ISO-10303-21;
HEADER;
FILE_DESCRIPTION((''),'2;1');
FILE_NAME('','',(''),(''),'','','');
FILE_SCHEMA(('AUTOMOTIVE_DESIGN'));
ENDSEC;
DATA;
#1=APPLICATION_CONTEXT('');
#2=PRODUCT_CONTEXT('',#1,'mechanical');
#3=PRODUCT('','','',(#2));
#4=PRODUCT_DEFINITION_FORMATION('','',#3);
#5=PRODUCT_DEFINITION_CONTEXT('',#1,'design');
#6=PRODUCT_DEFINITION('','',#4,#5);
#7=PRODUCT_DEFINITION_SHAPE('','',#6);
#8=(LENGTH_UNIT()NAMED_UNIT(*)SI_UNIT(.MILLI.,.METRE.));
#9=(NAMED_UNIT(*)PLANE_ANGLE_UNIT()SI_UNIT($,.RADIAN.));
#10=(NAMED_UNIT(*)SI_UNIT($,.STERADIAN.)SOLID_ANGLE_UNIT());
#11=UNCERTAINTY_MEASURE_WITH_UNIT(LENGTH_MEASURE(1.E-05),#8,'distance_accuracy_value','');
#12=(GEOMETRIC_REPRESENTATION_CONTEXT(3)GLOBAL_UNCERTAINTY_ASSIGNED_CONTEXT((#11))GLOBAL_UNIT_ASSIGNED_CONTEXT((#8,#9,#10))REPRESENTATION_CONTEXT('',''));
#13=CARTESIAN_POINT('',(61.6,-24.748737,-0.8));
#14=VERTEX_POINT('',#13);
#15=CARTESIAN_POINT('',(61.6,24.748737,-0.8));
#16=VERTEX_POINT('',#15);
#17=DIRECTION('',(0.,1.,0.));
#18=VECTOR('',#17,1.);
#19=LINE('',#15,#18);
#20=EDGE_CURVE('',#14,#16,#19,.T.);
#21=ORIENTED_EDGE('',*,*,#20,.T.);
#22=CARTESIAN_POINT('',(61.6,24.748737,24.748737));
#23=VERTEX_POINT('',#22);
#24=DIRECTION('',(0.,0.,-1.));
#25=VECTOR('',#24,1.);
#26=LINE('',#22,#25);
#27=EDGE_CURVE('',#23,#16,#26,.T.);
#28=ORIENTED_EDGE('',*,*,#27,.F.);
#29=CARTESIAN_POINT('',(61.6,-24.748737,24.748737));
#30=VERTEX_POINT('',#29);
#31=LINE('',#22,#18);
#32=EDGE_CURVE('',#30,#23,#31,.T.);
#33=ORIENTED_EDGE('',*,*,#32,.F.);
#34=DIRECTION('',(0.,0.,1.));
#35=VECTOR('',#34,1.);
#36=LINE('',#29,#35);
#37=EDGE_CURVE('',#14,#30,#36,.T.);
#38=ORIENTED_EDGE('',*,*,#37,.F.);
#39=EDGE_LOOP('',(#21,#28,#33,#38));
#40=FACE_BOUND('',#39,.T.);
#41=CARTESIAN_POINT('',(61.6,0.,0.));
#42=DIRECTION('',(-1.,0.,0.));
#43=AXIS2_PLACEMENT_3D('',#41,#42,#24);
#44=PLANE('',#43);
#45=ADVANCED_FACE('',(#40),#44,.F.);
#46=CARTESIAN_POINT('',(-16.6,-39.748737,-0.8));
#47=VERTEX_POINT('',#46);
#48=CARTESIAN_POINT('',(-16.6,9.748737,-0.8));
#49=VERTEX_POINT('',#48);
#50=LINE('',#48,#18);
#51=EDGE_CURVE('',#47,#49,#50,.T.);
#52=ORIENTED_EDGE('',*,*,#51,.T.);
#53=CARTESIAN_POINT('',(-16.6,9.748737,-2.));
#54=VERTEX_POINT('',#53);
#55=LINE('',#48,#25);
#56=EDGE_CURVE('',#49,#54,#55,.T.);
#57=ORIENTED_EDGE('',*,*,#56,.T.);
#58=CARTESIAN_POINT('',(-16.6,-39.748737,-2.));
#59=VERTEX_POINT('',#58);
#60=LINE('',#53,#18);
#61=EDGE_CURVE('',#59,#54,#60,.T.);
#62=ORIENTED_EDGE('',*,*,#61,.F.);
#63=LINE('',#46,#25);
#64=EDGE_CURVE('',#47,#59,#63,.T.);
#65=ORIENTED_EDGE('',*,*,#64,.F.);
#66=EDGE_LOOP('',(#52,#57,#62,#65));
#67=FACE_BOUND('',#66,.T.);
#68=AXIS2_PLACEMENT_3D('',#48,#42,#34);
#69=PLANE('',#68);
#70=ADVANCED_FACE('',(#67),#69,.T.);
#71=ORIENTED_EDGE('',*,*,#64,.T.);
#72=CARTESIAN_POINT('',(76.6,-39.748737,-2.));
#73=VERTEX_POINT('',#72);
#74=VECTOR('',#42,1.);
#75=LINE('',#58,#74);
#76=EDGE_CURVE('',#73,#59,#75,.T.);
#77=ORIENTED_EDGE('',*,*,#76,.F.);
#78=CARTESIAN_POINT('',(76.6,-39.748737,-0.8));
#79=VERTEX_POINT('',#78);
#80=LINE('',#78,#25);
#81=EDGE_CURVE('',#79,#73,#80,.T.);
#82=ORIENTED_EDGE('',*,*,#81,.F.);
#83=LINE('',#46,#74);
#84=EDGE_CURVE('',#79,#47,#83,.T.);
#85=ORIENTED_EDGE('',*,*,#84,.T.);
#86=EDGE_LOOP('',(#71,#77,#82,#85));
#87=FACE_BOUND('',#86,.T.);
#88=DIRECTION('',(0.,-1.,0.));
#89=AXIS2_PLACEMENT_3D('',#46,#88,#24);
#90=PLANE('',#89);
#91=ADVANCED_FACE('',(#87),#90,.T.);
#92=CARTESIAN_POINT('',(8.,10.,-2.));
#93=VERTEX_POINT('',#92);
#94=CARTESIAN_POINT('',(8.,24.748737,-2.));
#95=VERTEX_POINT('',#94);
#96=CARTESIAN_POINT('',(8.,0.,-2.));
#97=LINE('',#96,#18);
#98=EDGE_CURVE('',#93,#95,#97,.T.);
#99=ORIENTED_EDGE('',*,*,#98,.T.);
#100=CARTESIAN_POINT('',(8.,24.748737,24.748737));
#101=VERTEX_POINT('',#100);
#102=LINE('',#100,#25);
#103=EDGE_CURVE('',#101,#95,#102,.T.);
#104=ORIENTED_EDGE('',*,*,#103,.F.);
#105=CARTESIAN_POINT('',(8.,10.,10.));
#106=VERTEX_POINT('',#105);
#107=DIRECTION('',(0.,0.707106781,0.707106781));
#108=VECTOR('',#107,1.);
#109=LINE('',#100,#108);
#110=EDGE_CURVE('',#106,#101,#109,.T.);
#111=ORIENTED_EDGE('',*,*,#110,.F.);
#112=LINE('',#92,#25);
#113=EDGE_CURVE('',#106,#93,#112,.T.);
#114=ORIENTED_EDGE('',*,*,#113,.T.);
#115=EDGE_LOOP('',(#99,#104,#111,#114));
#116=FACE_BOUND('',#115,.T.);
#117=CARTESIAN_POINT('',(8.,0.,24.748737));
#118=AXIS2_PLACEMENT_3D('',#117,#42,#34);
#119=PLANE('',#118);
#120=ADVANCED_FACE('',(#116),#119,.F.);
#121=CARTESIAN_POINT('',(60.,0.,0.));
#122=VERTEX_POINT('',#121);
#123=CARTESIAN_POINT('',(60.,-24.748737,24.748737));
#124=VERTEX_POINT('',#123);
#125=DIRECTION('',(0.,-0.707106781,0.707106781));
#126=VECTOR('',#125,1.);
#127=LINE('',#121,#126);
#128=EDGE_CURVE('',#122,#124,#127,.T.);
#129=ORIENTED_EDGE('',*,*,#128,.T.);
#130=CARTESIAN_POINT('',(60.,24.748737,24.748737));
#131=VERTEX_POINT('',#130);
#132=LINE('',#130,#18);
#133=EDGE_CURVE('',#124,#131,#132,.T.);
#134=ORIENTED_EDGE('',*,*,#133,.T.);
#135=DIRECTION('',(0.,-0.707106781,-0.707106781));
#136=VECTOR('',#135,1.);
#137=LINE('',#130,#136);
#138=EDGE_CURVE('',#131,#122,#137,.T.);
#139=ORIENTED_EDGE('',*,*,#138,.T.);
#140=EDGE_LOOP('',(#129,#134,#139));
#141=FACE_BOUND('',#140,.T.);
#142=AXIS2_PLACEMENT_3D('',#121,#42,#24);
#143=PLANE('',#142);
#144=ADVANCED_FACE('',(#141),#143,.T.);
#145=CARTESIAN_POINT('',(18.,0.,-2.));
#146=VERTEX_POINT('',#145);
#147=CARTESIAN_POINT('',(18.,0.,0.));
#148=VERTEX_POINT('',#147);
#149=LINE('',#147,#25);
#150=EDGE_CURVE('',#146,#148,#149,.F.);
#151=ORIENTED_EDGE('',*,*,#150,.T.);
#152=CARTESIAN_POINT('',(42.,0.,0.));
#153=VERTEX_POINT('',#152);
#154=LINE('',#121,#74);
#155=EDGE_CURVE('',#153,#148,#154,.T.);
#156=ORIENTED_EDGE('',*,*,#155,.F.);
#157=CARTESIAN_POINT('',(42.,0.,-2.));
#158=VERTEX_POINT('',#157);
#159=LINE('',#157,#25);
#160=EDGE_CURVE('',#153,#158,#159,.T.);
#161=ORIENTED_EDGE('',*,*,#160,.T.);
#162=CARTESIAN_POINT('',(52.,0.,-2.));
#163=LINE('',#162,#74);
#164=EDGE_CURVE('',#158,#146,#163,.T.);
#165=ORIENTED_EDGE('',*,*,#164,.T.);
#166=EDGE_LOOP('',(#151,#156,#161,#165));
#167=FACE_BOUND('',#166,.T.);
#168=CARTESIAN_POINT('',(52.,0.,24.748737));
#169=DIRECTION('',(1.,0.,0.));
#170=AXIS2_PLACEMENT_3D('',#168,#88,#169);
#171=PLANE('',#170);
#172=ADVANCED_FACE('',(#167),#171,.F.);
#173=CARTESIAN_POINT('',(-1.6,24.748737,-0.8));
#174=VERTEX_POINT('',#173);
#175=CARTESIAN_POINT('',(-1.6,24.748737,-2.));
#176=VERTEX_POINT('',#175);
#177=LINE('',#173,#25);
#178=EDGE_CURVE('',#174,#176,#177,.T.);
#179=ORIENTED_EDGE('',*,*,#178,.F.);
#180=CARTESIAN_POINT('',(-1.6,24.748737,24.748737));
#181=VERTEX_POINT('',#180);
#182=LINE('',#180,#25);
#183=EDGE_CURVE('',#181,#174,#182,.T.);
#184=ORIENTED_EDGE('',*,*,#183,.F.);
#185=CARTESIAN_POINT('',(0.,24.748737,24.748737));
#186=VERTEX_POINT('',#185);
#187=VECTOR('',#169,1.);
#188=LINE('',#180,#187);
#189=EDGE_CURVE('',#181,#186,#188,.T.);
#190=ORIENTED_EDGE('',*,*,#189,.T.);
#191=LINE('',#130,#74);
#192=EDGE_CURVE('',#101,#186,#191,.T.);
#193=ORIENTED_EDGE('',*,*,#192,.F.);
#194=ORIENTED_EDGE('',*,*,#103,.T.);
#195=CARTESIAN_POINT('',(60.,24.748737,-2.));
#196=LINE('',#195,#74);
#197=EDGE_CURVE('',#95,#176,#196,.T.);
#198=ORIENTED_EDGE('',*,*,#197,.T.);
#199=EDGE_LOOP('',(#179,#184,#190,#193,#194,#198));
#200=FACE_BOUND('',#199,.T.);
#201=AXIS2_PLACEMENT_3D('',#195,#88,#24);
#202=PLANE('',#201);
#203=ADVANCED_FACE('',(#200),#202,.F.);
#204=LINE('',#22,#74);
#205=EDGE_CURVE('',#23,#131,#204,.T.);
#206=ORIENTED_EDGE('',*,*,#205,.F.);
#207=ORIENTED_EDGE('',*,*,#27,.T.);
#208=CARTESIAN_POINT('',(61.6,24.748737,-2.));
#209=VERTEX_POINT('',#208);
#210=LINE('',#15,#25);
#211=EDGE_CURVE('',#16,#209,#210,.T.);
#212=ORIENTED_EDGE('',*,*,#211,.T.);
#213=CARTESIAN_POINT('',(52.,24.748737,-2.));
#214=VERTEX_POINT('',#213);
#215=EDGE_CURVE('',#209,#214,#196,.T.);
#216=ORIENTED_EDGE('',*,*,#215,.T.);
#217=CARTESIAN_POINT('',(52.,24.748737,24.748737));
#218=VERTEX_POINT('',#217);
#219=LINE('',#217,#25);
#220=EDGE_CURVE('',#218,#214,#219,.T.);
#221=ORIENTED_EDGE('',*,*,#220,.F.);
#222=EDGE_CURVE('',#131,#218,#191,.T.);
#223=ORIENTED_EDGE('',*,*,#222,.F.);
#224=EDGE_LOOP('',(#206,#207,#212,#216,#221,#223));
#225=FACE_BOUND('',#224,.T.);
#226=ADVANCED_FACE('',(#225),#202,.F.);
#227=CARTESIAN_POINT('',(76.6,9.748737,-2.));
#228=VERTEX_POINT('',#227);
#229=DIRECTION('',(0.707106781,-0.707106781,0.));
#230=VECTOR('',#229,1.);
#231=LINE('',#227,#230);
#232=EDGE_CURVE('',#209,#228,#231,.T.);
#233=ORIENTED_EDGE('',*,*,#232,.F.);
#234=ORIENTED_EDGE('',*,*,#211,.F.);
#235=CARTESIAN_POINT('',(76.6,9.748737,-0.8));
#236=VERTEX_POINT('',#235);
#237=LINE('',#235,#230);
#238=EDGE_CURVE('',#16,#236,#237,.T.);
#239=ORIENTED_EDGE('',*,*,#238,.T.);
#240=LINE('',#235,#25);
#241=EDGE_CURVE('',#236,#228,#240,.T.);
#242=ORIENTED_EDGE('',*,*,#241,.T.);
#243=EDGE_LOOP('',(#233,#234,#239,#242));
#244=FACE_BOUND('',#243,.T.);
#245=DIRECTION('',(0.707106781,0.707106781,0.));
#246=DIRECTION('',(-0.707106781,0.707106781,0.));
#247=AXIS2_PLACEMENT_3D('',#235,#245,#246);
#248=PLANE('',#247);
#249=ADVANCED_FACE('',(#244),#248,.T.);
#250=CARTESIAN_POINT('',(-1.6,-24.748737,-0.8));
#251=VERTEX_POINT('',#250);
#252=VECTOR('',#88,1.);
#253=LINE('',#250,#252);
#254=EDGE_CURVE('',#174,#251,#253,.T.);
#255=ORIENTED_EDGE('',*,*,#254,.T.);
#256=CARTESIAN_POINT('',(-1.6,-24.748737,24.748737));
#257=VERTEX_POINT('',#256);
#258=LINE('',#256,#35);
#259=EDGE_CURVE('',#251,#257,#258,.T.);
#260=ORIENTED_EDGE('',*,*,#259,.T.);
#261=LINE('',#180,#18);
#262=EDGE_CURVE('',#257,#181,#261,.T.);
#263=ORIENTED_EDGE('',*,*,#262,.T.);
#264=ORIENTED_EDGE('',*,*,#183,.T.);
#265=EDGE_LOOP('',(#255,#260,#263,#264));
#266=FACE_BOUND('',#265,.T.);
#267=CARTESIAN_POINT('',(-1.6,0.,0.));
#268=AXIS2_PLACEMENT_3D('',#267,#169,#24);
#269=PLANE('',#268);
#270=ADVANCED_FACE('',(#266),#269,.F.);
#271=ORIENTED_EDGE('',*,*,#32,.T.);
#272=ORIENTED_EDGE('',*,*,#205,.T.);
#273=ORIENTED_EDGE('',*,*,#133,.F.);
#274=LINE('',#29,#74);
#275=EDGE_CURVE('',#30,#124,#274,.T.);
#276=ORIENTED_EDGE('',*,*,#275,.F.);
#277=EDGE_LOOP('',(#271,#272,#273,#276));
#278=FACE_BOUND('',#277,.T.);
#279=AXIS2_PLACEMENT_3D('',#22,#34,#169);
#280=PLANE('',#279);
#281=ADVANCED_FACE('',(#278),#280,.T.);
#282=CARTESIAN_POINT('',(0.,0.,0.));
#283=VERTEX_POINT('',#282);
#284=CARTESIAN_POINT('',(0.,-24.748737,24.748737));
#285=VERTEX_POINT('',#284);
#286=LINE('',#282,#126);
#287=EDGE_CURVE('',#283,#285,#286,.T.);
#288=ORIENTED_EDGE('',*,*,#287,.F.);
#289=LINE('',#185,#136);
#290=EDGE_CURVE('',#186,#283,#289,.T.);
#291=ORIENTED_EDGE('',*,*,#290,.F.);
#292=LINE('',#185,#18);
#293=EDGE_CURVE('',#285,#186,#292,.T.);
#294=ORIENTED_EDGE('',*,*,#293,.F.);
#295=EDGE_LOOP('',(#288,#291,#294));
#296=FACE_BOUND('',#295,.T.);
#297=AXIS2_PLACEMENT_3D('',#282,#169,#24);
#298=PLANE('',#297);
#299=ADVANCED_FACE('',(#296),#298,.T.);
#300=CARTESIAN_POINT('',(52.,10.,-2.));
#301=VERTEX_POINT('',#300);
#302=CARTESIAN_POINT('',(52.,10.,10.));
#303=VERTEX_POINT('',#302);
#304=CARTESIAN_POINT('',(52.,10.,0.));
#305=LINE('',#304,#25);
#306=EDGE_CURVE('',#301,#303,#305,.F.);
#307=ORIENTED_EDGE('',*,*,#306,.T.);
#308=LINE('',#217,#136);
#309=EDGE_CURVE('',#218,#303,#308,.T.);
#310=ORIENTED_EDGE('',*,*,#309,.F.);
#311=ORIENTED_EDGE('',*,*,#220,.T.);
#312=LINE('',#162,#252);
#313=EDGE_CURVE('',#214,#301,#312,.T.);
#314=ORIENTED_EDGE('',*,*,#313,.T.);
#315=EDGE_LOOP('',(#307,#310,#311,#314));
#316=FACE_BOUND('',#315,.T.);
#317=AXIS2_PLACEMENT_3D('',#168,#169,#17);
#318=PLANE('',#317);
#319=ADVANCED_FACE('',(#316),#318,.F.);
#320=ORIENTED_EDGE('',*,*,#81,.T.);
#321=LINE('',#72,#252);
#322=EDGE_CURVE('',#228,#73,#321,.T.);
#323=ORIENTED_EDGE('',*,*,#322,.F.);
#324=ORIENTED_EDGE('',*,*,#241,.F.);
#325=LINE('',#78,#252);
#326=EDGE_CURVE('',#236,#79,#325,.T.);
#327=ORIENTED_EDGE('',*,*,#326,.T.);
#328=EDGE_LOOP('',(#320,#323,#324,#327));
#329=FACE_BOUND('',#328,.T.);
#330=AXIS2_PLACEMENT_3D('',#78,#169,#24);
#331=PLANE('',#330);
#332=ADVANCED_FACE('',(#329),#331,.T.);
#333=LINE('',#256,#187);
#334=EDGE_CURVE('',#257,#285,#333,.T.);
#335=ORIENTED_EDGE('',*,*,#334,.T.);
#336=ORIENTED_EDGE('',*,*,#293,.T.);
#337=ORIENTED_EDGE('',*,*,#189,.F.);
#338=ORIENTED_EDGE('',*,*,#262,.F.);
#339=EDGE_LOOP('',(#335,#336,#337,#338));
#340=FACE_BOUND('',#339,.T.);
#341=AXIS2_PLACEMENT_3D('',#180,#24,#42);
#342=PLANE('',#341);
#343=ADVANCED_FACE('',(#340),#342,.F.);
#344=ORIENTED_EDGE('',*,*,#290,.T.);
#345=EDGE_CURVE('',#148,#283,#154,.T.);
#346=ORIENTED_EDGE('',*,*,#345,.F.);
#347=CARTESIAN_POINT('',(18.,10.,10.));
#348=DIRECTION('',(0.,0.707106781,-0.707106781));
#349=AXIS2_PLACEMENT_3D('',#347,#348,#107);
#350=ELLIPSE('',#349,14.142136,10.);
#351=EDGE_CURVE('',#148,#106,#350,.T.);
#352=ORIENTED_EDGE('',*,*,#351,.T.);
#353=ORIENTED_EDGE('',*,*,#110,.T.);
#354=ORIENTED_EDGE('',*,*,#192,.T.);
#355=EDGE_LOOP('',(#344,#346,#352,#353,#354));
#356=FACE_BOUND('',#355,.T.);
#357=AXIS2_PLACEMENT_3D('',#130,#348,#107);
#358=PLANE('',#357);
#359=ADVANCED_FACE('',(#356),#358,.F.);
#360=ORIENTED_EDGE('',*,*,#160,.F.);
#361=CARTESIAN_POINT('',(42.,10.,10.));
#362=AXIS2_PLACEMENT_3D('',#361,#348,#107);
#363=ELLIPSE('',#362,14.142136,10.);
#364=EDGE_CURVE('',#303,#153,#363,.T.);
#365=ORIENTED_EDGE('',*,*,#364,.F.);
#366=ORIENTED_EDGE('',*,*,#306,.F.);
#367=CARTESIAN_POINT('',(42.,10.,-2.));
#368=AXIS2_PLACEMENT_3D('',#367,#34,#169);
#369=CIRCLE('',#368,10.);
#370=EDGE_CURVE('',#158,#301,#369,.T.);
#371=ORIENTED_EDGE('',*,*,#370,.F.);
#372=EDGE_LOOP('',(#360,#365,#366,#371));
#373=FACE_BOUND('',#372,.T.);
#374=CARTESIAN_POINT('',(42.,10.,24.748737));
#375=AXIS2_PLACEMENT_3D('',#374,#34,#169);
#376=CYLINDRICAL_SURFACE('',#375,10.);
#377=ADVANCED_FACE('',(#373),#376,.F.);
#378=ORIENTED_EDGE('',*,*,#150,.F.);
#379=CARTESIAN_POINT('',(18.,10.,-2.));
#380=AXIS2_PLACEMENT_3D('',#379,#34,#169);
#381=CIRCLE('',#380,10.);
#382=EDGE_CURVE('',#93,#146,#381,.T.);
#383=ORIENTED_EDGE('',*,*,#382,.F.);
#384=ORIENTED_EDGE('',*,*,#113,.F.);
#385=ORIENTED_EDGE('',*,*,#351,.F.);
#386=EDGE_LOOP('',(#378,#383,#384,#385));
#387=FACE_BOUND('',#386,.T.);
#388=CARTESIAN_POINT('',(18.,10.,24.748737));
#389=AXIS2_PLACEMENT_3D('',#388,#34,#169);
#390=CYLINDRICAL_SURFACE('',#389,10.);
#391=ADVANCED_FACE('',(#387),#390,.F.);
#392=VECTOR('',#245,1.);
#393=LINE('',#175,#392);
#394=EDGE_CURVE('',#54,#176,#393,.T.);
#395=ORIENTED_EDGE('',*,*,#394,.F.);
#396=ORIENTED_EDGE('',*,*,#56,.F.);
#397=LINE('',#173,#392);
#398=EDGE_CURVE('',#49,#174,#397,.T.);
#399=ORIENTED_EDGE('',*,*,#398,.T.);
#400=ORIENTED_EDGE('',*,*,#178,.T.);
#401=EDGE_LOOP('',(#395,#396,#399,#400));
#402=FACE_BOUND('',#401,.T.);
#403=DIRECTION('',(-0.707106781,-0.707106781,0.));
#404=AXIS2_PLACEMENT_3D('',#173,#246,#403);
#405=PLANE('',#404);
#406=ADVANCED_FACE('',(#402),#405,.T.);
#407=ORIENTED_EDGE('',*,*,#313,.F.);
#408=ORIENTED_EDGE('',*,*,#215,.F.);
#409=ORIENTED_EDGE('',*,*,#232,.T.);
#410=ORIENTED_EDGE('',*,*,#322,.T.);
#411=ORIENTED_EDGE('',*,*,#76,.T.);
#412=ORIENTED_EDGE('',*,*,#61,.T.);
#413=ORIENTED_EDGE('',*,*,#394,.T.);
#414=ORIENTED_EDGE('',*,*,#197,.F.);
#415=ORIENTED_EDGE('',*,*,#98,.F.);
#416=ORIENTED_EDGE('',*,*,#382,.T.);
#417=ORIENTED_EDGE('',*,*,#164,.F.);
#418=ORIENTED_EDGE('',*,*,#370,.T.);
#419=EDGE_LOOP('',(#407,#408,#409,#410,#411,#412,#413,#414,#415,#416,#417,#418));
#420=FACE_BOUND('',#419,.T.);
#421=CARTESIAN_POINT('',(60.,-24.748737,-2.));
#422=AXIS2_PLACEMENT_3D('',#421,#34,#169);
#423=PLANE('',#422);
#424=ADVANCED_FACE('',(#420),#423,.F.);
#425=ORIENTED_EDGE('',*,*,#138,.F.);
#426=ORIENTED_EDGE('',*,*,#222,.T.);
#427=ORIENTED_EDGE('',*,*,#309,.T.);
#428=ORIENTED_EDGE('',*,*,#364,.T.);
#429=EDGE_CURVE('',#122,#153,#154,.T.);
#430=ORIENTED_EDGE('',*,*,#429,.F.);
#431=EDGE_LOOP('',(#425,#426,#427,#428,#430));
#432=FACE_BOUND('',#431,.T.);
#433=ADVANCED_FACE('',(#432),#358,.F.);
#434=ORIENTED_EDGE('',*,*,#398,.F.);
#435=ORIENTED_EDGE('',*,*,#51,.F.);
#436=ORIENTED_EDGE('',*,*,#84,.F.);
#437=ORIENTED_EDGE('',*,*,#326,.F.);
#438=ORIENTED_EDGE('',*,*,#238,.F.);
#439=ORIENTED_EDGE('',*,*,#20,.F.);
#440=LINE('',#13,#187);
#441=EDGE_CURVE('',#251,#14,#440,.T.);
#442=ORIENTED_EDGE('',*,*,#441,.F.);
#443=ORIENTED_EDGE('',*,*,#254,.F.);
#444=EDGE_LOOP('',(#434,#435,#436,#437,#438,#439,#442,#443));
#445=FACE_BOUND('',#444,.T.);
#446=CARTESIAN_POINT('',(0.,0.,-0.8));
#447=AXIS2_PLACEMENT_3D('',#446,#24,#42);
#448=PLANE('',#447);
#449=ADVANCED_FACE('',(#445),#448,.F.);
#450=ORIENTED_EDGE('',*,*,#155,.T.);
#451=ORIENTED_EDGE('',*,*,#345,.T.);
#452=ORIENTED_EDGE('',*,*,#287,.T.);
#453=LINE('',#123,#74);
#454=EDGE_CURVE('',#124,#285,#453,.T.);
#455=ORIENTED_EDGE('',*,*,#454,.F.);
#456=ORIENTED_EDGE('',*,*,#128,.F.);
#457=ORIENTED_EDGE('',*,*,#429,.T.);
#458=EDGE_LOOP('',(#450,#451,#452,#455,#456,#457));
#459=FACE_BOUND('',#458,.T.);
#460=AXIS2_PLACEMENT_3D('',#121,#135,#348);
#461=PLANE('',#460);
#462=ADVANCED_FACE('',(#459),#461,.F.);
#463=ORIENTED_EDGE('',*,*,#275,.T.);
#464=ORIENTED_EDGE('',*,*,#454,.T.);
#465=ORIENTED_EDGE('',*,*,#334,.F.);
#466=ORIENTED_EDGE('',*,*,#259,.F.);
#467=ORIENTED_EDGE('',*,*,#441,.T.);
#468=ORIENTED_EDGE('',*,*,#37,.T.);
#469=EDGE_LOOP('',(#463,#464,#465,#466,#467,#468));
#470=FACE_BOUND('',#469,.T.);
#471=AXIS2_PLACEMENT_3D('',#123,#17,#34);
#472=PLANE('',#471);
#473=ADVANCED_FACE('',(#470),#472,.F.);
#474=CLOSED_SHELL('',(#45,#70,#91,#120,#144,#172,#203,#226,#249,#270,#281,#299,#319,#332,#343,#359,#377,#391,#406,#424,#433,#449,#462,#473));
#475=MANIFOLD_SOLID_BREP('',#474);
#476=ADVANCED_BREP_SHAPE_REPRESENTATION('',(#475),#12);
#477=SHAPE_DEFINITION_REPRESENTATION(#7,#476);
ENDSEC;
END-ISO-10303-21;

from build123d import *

# Parameters (mm, degrees)
BOSS_EXTRUDE1_DEPTH = 60
SKETCH2_W           = 44
SKETCH2_H           = 24.748737342
CUT_EXTRUDE1_DEPTH  = 27.748737342
FILLET1_R           = 10
SKETCH5_W           = 26.748737342
SKETCH5_H           = 49.497474684
BOSS_EXTRUDE3_DEPTH = 1.6
BOSS_EXTRUDE4_DEPTH = 1.2


with BuildPart() as part:
    # Sketch1 → Boss-Extrude1 (new body)
    with BuildSketch(Plane(origin=(0, 0, 0), x_dir=(0, 0, -1), z_dir=(1, 0, 0))):
        Polygon((-24.748737342, 24.748737342), (0, 0), (-24.748737342, -24.748737342), (2, -24.748737342), (2, 24.748737342), align=None)
    extrude(amount=BOSS_EXTRUDE1_DEPTH)

    # Sketch2 → Cut-Extrude1 (cut, through all)
    with BuildSketch(Plane(origin=(0, 0, -2), x_dir=(-1, 0, 0), z_dir=(0, 0, -1))):
        with Locations((-30, 12.374368671)):
            Rectangle(SKETCH2_W, SKETCH2_H)
    extrude(amount=-CUT_EXTRUDE1_DEPTH, mode=Mode.SUBTRACT)

    # Fillet1
    fillet1_edges = [part.edges().sort_by_distance(p)[0] for p in [
        (8, 0, -1),
        (52, 0, -1),
    ]]
    fillet(fillet1_edges, radius=FILLET1_R)

    # Sketch5 → Boss-Extrude3 (add)
    with BuildSketch(Plane.ZY):
        with Locations((11.374368671, 0)):
            Rectangle(SKETCH5_W, SKETCH5_H)
    boss_extrude3 = extrude(amount=BOSS_EXTRUDE3_DEPTH)

    # Mirror1: Boss-Extrude3 across plane
    add(boss_extrude3.mirror(Plane.ZY.offset(-30)))

    # Sketch6 → Boss-Extrude4 (add)
    with BuildSketch(Plane(origin=(0, 0, -2), x_dir=(-1, 0, 0), z_dir=(0, 0, -1))):
        Polygon((1.6, 24.748737342), (16.6, 9.748737342), (16.6, -39.748737342), (-76.6, -39.748737342), (-76.6, 9.748737342), (-61.6, 24.748737342), (-61.6, -24.748737342), (1.6, -24.748737342), align=None)
    extrude(amount=-BOSS_EXTRUDE4_DEPTH)


solid = part.part
